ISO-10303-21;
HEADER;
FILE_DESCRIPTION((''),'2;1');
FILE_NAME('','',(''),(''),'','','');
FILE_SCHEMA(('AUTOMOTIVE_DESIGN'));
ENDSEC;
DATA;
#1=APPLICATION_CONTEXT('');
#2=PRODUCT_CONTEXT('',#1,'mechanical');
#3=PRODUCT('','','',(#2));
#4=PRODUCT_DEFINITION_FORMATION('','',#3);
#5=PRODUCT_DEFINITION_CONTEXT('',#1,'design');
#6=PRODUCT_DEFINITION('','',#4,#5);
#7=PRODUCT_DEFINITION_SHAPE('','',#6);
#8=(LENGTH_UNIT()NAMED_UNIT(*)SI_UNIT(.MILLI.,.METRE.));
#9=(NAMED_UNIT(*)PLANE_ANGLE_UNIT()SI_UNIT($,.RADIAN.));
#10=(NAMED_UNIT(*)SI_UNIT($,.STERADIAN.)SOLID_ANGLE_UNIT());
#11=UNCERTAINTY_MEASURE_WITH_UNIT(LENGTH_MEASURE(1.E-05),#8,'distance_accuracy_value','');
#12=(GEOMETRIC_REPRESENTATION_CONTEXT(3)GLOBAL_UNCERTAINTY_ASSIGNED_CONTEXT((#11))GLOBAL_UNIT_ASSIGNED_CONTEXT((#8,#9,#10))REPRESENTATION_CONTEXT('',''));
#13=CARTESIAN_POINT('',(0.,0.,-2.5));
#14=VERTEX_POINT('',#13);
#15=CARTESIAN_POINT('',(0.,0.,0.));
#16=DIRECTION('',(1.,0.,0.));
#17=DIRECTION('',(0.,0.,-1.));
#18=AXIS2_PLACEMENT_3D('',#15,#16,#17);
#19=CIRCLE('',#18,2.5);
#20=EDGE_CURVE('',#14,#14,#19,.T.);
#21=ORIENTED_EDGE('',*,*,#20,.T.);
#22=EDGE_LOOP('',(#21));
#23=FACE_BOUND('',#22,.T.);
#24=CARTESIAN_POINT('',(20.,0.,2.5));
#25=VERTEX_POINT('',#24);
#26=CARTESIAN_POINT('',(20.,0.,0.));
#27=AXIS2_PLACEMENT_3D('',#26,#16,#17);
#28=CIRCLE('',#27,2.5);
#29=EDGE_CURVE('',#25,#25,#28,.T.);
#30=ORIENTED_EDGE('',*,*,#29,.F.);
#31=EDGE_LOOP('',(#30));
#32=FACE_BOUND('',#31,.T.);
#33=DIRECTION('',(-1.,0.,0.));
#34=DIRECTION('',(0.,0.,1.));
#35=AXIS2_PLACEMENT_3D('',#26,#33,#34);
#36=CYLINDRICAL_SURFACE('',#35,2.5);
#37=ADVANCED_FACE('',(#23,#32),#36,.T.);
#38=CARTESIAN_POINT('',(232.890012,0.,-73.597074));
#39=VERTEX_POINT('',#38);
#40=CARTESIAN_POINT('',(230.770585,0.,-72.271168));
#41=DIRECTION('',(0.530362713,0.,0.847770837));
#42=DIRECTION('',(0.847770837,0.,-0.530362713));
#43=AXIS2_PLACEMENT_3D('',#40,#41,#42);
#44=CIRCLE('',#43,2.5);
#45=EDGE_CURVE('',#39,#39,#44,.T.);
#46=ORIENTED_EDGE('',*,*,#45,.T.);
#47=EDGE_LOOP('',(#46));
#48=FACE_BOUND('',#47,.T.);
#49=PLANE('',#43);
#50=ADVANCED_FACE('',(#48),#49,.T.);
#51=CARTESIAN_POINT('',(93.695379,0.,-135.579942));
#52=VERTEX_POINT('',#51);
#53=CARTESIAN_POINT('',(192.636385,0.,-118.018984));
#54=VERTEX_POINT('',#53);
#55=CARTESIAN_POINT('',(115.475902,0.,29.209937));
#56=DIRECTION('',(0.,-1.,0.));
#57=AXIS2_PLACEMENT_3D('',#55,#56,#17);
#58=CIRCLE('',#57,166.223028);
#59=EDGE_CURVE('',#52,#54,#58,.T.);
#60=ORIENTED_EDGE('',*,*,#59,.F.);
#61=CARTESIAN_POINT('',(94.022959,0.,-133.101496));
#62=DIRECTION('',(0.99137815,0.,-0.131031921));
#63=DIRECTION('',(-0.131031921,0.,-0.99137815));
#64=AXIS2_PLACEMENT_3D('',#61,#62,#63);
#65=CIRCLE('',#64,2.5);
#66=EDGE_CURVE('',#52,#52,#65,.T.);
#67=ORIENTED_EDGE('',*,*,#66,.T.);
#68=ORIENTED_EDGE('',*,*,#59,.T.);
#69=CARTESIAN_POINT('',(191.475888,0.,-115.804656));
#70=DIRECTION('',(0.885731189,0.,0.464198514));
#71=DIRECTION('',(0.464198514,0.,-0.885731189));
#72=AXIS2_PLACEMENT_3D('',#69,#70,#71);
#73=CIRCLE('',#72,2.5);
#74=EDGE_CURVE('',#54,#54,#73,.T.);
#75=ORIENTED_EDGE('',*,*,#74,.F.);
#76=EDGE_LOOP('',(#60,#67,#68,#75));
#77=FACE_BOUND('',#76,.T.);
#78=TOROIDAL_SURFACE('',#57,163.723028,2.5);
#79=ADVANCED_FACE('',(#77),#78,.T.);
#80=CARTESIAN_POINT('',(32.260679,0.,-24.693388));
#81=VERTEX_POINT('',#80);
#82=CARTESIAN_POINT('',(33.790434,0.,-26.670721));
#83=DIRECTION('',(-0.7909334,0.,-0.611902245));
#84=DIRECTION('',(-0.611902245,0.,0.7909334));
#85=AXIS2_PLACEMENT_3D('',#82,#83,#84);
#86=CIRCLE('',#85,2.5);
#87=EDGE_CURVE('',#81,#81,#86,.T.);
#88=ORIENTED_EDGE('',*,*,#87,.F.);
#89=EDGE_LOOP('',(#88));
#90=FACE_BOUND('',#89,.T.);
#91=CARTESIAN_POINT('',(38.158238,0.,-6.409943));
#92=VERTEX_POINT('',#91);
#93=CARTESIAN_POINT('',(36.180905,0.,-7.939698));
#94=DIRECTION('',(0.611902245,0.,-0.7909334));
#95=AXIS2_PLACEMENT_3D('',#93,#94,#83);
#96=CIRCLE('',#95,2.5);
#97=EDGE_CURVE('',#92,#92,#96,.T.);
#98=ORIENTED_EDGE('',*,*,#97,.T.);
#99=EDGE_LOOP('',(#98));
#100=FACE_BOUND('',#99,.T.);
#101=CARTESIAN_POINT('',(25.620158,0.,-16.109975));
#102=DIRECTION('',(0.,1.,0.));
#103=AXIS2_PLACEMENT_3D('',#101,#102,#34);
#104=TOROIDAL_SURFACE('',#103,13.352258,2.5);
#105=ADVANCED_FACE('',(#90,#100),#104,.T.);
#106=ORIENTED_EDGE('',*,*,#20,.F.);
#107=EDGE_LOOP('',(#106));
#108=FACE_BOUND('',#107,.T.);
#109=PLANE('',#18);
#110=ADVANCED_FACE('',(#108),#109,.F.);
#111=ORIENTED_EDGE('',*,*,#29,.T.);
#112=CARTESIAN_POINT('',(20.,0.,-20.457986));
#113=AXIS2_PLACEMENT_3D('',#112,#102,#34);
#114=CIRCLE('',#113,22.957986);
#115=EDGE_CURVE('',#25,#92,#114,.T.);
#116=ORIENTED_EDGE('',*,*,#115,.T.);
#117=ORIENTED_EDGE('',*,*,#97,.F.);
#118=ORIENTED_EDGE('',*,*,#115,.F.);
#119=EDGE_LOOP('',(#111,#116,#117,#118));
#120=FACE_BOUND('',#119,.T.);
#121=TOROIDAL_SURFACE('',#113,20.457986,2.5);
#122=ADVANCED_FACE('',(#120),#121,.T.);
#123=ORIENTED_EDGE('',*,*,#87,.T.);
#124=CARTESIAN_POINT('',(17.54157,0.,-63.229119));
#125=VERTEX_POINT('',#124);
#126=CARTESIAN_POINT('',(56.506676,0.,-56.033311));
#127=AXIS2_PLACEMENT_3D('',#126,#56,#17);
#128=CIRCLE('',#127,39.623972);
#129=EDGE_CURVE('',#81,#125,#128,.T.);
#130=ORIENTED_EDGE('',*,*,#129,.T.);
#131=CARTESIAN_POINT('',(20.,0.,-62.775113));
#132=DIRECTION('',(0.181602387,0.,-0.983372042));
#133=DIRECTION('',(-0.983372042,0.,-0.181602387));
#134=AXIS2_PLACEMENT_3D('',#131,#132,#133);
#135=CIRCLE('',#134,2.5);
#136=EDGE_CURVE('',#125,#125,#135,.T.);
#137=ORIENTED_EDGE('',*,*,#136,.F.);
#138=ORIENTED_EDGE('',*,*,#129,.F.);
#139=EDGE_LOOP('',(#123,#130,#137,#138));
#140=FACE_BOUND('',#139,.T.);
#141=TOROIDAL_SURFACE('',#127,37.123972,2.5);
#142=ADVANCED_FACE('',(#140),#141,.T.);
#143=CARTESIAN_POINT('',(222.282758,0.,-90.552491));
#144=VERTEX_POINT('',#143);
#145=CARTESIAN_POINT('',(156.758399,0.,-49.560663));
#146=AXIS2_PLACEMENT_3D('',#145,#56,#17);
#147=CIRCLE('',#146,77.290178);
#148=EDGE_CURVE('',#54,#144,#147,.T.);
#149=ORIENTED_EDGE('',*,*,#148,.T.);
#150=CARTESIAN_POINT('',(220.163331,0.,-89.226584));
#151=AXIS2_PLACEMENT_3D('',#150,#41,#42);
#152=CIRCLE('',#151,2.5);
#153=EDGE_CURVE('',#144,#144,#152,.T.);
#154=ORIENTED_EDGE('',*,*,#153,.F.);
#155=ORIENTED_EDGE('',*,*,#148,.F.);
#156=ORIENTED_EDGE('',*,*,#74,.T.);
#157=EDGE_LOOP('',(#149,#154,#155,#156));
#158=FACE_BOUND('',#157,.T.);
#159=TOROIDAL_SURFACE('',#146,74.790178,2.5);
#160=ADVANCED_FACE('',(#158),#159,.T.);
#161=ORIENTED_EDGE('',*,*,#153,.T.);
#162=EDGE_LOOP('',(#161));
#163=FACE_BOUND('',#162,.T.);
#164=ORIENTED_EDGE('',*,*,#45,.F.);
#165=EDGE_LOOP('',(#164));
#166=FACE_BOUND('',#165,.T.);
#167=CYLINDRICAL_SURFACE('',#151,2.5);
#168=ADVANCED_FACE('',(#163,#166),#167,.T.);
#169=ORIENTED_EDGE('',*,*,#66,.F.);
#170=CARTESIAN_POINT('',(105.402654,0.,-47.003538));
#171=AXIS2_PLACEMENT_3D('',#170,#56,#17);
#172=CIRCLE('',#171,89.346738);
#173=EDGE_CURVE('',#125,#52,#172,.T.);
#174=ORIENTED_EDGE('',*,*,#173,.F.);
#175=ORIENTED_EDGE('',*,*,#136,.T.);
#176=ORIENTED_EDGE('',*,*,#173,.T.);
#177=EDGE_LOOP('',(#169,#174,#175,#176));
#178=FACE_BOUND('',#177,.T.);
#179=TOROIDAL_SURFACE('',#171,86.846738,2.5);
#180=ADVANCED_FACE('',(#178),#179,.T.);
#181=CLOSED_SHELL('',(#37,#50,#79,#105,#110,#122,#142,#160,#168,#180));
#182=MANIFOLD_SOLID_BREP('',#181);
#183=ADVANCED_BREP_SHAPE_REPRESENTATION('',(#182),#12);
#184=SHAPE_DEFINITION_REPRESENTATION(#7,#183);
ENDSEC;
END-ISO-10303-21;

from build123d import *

# Parameters (mm, degrees)
SKETCH_1_R = 2.5


with BuildPart() as part:
    # Wire 2: sweep along a path in SWireLine
    with BuildLine(Plane(origin=(0, 0, 0), x_dir=(1, 0, 0), z_dir=(0, 1, 0))) as wire_2_path:
        Line((0, 0), (20, 0))
        ThreePointArc((20, 0), (29.011943233, 2.091873975), (36.180904523, 7.939698492))
        ThreePointArc((36.180904523, 7.939698492), (38.86499133, 17.80029249), (33.79043443, 26.670721354))
        ThreePointArc((33.79043443, 26.670721354), (21.82641851, 42.786838621), (20, 62.775112886))
        ThreePointArc((20, 62.775112886), (45.584965842, 109.96543175), (94.022959085, 133.101496287))
        ThreePointArc((94.022959085, 133.101496287), (144.087790428, 131.993629879), (191.475888414, 115.804656017))
        ThreePointArc((191.475888414, 115.804656017), (207.587532964, 104.423854927), (220.163330814, 89.226584382))
        Line((220.163330814, 89.226584382), (230.770585075, 72.271167635))
    # 草图1 → Wire 2 (sweep)
    with BuildSketch(Plane(origin=(0, 0, 0), x_dir=(0, 0, -1), z_dir=(1, 0, 0))):
        Circle(SKETCH_1_R)
    sweep(path=wire_2_path.line)


solid = part.part
